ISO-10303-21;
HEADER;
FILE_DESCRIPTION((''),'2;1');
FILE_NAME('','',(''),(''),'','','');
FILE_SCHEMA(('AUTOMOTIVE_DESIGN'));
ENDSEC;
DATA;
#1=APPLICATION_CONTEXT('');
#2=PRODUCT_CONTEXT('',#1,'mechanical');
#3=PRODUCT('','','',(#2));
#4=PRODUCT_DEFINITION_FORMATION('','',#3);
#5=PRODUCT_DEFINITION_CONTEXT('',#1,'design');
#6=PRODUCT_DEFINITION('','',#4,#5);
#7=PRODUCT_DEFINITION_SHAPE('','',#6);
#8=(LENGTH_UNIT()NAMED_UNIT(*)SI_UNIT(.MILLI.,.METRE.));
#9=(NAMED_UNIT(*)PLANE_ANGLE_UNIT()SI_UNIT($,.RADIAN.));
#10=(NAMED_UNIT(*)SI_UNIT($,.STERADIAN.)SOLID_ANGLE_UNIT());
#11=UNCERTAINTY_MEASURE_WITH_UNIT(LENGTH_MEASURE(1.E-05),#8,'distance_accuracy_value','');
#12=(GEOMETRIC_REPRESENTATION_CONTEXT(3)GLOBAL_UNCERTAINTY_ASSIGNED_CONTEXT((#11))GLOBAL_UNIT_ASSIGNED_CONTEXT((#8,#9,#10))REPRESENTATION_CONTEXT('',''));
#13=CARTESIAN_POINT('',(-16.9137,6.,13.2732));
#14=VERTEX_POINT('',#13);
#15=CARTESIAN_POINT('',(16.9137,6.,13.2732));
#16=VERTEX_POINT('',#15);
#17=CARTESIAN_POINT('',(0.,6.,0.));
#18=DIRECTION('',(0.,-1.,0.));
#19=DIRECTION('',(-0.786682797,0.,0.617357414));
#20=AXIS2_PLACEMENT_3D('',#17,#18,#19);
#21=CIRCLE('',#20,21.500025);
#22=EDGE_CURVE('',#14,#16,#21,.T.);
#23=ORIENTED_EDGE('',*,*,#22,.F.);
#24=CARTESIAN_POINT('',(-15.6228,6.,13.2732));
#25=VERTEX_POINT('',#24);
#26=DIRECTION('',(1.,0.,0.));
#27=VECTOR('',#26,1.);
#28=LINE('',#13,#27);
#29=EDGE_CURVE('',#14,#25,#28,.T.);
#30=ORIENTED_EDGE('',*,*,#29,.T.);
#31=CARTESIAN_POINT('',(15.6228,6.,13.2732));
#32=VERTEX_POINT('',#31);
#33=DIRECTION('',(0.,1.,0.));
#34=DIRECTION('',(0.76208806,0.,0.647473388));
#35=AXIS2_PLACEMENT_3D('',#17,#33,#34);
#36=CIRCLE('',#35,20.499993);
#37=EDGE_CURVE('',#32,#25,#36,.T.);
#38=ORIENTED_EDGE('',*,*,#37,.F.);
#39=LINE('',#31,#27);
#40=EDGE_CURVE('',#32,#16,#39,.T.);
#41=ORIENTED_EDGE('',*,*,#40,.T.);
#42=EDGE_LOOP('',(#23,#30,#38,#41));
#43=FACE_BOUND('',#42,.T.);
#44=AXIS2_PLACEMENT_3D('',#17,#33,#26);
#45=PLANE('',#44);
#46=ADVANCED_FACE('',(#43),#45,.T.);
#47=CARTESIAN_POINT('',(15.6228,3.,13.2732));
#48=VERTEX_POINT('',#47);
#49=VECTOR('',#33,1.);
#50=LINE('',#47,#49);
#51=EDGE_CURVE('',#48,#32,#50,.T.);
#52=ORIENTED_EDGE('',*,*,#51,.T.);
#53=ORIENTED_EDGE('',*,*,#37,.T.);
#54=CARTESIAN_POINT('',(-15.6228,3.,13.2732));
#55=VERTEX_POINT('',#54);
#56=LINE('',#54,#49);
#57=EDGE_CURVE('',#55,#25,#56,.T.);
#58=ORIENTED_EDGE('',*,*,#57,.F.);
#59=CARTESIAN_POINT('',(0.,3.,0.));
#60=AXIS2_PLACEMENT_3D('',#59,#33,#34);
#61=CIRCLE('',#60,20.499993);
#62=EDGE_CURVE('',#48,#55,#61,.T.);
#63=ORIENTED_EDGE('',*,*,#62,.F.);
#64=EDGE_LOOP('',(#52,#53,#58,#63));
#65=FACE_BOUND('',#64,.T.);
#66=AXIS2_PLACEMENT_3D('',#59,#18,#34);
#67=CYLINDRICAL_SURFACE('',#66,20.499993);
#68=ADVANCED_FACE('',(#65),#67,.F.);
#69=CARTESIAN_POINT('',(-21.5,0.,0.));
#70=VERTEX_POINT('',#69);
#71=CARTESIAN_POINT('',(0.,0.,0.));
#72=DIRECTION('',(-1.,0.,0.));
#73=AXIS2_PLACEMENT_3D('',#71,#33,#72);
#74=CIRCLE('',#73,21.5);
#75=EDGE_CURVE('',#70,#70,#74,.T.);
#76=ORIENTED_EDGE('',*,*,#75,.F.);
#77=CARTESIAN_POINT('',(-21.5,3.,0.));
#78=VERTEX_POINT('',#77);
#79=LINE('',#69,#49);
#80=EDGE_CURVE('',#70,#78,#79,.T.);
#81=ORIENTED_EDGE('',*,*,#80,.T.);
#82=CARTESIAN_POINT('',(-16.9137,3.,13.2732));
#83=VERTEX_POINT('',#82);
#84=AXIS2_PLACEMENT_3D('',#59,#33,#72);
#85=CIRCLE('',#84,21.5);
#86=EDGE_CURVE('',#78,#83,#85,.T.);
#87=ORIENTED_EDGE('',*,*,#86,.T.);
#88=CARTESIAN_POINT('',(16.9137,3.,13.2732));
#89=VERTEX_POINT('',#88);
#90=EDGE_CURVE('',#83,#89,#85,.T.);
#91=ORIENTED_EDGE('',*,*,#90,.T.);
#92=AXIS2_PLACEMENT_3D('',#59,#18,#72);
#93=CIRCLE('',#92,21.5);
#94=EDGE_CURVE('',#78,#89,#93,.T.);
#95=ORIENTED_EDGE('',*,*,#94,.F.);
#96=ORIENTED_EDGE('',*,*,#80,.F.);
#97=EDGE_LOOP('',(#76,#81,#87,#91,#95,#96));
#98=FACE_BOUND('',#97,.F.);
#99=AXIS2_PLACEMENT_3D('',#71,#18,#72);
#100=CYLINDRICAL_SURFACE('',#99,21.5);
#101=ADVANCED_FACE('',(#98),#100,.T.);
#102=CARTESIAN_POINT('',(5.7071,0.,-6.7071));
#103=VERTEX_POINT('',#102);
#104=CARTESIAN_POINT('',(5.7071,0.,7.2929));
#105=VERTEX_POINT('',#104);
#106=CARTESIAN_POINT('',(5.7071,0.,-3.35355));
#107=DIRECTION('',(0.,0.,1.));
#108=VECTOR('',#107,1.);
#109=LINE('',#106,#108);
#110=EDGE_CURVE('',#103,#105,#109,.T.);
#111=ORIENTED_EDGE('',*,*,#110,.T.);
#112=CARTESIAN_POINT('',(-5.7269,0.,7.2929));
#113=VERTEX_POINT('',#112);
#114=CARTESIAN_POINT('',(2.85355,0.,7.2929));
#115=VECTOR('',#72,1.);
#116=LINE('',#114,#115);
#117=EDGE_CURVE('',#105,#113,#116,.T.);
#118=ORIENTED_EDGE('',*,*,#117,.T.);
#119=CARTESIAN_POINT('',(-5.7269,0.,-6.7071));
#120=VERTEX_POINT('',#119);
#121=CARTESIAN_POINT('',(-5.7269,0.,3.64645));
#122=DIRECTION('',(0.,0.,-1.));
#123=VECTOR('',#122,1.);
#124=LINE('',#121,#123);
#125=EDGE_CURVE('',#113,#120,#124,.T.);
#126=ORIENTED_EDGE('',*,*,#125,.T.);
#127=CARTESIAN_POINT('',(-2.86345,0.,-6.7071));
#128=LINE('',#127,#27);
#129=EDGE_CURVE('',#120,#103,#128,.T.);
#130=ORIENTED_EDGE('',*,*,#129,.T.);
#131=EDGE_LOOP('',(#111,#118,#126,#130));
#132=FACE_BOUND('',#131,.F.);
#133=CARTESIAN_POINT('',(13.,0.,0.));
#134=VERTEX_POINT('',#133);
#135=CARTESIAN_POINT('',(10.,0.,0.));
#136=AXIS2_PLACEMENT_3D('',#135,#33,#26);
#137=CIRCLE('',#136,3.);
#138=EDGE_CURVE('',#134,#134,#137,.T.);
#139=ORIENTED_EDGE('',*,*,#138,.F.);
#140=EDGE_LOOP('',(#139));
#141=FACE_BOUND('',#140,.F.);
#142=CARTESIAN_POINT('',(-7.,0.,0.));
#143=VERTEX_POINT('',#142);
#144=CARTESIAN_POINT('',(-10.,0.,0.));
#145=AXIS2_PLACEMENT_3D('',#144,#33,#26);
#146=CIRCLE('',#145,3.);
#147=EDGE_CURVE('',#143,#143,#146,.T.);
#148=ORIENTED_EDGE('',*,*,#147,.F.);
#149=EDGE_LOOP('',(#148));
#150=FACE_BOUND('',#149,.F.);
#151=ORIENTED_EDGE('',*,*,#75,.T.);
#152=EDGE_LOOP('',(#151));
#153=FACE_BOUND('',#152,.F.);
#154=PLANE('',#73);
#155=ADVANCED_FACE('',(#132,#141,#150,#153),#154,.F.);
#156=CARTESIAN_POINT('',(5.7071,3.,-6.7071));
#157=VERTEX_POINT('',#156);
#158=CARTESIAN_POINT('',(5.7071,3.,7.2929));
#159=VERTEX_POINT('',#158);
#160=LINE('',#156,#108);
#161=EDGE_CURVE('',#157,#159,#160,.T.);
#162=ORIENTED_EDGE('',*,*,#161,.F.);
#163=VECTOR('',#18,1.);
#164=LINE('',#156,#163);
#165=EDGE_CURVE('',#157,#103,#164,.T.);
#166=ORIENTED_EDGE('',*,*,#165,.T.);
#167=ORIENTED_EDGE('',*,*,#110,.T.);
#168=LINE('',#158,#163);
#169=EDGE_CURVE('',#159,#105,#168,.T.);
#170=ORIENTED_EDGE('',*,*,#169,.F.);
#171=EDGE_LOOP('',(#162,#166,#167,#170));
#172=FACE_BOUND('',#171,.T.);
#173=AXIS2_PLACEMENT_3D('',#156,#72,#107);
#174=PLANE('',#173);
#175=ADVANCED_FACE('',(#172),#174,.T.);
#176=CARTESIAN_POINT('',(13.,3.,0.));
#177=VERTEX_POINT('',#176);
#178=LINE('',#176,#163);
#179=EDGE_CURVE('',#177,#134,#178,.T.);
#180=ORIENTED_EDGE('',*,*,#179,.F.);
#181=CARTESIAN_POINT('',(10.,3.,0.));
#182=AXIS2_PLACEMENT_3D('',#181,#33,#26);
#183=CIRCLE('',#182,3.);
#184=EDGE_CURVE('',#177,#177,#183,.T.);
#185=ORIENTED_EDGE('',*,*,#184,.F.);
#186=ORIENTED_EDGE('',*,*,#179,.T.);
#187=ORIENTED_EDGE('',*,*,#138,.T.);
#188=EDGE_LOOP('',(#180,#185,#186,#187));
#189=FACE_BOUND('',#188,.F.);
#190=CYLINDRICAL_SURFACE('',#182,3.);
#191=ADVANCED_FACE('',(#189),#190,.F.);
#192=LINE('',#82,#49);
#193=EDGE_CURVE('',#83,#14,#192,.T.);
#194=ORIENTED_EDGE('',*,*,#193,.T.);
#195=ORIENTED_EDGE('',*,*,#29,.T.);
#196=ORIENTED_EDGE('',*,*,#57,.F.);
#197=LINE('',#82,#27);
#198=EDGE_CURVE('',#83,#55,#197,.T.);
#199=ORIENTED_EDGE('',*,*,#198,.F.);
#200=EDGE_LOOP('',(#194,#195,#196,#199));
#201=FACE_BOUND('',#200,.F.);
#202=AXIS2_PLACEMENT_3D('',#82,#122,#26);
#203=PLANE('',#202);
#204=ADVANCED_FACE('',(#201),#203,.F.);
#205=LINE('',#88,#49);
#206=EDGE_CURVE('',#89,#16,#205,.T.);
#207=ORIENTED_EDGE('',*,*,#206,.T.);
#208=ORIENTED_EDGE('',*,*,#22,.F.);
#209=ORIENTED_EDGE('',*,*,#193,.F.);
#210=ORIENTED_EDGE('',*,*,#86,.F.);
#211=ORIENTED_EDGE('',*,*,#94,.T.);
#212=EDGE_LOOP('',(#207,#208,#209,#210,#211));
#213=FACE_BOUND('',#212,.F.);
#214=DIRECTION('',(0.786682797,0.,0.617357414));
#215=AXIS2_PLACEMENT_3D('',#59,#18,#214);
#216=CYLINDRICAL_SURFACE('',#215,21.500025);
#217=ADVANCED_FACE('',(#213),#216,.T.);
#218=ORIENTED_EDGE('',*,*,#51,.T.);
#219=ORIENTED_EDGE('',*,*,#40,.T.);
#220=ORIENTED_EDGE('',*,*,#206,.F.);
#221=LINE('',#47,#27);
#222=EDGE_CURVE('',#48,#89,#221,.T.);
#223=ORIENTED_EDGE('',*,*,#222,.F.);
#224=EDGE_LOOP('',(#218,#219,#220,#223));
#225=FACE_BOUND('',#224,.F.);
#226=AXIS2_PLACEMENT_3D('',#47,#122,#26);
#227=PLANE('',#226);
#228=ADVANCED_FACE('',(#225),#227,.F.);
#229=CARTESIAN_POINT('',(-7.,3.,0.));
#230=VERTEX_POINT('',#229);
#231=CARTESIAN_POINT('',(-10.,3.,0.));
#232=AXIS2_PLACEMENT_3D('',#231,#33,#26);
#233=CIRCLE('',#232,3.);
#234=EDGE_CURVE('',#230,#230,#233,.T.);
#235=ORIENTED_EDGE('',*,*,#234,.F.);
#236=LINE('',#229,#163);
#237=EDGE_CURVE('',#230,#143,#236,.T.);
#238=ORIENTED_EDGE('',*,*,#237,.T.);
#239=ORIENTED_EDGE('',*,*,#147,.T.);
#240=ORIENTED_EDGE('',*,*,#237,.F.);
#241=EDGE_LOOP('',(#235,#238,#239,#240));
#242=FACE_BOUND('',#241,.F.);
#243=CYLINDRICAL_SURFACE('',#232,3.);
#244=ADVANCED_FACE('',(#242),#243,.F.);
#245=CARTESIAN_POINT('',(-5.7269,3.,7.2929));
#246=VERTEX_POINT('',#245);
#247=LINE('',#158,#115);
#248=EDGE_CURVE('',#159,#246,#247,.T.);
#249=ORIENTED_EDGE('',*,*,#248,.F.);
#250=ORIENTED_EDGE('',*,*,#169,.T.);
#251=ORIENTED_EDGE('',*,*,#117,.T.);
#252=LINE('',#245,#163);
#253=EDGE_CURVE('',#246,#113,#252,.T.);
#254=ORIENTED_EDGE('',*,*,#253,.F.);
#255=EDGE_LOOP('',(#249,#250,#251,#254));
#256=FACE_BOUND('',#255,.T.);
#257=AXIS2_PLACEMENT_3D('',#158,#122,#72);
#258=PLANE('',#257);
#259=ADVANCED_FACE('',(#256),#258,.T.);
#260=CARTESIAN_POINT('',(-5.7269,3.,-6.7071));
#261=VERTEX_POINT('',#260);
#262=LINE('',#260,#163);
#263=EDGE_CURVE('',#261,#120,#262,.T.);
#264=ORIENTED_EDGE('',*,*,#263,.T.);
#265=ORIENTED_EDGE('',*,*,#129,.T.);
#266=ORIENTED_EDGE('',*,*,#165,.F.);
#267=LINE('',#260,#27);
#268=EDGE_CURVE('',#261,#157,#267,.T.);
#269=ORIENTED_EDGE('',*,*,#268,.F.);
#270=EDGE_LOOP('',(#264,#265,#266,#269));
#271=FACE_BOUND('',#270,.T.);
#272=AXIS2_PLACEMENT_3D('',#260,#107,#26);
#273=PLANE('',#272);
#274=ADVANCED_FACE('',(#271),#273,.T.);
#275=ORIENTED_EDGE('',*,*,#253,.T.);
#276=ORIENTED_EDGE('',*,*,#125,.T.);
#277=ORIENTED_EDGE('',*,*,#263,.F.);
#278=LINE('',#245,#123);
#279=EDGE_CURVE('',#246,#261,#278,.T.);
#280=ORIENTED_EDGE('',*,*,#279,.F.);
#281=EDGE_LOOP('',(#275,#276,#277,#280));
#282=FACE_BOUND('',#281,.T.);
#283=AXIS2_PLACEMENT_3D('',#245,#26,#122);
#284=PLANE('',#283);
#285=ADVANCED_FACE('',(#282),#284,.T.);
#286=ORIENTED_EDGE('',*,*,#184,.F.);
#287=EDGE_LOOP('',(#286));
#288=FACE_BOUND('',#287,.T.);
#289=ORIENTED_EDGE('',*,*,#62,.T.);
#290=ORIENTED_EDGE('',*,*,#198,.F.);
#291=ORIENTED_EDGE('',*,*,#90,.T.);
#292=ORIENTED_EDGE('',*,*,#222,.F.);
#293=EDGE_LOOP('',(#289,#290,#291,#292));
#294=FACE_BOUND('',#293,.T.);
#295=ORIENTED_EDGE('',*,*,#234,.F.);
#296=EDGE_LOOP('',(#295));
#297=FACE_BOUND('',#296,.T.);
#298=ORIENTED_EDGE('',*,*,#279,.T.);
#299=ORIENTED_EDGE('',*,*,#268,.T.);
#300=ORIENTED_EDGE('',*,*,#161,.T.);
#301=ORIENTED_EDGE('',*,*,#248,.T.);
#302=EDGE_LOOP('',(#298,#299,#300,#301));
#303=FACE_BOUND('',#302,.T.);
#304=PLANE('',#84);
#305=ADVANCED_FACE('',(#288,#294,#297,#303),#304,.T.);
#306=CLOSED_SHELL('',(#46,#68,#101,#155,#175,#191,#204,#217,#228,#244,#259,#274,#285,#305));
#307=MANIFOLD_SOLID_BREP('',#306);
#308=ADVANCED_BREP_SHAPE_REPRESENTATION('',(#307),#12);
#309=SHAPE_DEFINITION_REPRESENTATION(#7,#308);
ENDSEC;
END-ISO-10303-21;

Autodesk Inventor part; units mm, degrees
ref_plane "YZ Plane" through (0, 0, 0) normal (1, 0, 0) x (0, 1, 0)
ref_plane "XZ Plane" through (0, 0, 0) normal (0, 1, 0) x (-1, 0, 0)
ref_plane "XY Plane" through (0, 0, 0) normal (0, 0, 1) x (1, 0, 0)
sketch "Sketch1" plane through (0, 0, 0) normal (0, 1, 0) x (-1, 0, 0)
  circle A0 centre (0, 0) radius 21.5
  dimension "d1" = 43
extrude "Extrusion1" add sketch "Sketch1" along normal blind 3
sketch "Sketch2" plane through (0, 3, 0) normal (0, 1, 0) x (1, 0, 0)
  arc A0 (15.6228, -13.2732) -> (-15.6228, -13.2732) centre (0, 0) ccw
  arc A1 (16.9137, -13.2732) -> (-16.9137, -13.2732) centre (0, 0) ccw
  circle A2 centre (0, 0) radius 21.5 projected
  line L0 (-16.9137, -13.2732) -> (-15.6228, -13.2732)
  line L1 (15.6228, -13.2732) -> (16.9137, -13.2732)
  dimension "d4" = 41
extrude "Extrusion2" add sketch "Sketch2" along normal blind 3 contours A0 L0 A1 L1
sketch "Sketch3" plane through (0, 3, 0) normal (0, 1, 0) x (1, 0, 0)
  circle A0 centre (-10, 0) radius 3
  circle A1 centre (10, 0) radius 3
  point P0 (0, 0)
  dimension "d7" = 6
  dimension "d8" = 6
extrude "Extrusion3" cut sketch "Sketch3" against normal blind 10 contours A0
sketch "Sketch4" plane through (0, 3, 0) normal (0, 1, 0) x (1, 0, 0)
  circle A0 centre (10, 0) radius 3
  point P0 (0, 0)
  dimension "d11" = 6
extrude "Extrusion4" cut sketch "Sketch4" against normal blind 10
sketch "Sketch5" plane through (0, 3, 0) normal (0, 1, 0) x (1, 0, 0)
  line L0 (0, 6) -> (5, 6)
  line L1 (5, 6) -> (5, -6)
  line L2 (5, -6) -> (-5, -6)
  line L3 (-5, -6) -> (-5, 6)
  line L4 (-5, 6) -> (0, 6)
  point P0 (0, 0)
extrude "Extrusion5" cut sketch "Sketch5" against normal blind 10
sketch "Sketch6" plane through (0, 3, 0) normal (0, 1, 0) x (1, 0, 0)
  line L0 (5, 6) -> (5.7071, 6.7071)
  line L1 (5, 6) -> (6, 6) construction
  line L2 (5.7071, 6.7071) -> (5.7071, -7.2929)
  line L3 (5.7071, -7.2929) -> (-5.7269, -7.2929)
  line L4 (-5.7269, -7.2929) -> (-5.7269, 6.7071)
  line L5 (-5.7269, 6.7071) -> (5.7071, 6.7071)
  point P0 (0, 0)
  dimension "d21" = 1
  dimension "d22" = 45
  dimension "d23" = 14
  dimension "d24" = 45
extrude "Extrusion6" cut sketch "Sketch6" against normal blind 10
properties part number "EndCapProper"
